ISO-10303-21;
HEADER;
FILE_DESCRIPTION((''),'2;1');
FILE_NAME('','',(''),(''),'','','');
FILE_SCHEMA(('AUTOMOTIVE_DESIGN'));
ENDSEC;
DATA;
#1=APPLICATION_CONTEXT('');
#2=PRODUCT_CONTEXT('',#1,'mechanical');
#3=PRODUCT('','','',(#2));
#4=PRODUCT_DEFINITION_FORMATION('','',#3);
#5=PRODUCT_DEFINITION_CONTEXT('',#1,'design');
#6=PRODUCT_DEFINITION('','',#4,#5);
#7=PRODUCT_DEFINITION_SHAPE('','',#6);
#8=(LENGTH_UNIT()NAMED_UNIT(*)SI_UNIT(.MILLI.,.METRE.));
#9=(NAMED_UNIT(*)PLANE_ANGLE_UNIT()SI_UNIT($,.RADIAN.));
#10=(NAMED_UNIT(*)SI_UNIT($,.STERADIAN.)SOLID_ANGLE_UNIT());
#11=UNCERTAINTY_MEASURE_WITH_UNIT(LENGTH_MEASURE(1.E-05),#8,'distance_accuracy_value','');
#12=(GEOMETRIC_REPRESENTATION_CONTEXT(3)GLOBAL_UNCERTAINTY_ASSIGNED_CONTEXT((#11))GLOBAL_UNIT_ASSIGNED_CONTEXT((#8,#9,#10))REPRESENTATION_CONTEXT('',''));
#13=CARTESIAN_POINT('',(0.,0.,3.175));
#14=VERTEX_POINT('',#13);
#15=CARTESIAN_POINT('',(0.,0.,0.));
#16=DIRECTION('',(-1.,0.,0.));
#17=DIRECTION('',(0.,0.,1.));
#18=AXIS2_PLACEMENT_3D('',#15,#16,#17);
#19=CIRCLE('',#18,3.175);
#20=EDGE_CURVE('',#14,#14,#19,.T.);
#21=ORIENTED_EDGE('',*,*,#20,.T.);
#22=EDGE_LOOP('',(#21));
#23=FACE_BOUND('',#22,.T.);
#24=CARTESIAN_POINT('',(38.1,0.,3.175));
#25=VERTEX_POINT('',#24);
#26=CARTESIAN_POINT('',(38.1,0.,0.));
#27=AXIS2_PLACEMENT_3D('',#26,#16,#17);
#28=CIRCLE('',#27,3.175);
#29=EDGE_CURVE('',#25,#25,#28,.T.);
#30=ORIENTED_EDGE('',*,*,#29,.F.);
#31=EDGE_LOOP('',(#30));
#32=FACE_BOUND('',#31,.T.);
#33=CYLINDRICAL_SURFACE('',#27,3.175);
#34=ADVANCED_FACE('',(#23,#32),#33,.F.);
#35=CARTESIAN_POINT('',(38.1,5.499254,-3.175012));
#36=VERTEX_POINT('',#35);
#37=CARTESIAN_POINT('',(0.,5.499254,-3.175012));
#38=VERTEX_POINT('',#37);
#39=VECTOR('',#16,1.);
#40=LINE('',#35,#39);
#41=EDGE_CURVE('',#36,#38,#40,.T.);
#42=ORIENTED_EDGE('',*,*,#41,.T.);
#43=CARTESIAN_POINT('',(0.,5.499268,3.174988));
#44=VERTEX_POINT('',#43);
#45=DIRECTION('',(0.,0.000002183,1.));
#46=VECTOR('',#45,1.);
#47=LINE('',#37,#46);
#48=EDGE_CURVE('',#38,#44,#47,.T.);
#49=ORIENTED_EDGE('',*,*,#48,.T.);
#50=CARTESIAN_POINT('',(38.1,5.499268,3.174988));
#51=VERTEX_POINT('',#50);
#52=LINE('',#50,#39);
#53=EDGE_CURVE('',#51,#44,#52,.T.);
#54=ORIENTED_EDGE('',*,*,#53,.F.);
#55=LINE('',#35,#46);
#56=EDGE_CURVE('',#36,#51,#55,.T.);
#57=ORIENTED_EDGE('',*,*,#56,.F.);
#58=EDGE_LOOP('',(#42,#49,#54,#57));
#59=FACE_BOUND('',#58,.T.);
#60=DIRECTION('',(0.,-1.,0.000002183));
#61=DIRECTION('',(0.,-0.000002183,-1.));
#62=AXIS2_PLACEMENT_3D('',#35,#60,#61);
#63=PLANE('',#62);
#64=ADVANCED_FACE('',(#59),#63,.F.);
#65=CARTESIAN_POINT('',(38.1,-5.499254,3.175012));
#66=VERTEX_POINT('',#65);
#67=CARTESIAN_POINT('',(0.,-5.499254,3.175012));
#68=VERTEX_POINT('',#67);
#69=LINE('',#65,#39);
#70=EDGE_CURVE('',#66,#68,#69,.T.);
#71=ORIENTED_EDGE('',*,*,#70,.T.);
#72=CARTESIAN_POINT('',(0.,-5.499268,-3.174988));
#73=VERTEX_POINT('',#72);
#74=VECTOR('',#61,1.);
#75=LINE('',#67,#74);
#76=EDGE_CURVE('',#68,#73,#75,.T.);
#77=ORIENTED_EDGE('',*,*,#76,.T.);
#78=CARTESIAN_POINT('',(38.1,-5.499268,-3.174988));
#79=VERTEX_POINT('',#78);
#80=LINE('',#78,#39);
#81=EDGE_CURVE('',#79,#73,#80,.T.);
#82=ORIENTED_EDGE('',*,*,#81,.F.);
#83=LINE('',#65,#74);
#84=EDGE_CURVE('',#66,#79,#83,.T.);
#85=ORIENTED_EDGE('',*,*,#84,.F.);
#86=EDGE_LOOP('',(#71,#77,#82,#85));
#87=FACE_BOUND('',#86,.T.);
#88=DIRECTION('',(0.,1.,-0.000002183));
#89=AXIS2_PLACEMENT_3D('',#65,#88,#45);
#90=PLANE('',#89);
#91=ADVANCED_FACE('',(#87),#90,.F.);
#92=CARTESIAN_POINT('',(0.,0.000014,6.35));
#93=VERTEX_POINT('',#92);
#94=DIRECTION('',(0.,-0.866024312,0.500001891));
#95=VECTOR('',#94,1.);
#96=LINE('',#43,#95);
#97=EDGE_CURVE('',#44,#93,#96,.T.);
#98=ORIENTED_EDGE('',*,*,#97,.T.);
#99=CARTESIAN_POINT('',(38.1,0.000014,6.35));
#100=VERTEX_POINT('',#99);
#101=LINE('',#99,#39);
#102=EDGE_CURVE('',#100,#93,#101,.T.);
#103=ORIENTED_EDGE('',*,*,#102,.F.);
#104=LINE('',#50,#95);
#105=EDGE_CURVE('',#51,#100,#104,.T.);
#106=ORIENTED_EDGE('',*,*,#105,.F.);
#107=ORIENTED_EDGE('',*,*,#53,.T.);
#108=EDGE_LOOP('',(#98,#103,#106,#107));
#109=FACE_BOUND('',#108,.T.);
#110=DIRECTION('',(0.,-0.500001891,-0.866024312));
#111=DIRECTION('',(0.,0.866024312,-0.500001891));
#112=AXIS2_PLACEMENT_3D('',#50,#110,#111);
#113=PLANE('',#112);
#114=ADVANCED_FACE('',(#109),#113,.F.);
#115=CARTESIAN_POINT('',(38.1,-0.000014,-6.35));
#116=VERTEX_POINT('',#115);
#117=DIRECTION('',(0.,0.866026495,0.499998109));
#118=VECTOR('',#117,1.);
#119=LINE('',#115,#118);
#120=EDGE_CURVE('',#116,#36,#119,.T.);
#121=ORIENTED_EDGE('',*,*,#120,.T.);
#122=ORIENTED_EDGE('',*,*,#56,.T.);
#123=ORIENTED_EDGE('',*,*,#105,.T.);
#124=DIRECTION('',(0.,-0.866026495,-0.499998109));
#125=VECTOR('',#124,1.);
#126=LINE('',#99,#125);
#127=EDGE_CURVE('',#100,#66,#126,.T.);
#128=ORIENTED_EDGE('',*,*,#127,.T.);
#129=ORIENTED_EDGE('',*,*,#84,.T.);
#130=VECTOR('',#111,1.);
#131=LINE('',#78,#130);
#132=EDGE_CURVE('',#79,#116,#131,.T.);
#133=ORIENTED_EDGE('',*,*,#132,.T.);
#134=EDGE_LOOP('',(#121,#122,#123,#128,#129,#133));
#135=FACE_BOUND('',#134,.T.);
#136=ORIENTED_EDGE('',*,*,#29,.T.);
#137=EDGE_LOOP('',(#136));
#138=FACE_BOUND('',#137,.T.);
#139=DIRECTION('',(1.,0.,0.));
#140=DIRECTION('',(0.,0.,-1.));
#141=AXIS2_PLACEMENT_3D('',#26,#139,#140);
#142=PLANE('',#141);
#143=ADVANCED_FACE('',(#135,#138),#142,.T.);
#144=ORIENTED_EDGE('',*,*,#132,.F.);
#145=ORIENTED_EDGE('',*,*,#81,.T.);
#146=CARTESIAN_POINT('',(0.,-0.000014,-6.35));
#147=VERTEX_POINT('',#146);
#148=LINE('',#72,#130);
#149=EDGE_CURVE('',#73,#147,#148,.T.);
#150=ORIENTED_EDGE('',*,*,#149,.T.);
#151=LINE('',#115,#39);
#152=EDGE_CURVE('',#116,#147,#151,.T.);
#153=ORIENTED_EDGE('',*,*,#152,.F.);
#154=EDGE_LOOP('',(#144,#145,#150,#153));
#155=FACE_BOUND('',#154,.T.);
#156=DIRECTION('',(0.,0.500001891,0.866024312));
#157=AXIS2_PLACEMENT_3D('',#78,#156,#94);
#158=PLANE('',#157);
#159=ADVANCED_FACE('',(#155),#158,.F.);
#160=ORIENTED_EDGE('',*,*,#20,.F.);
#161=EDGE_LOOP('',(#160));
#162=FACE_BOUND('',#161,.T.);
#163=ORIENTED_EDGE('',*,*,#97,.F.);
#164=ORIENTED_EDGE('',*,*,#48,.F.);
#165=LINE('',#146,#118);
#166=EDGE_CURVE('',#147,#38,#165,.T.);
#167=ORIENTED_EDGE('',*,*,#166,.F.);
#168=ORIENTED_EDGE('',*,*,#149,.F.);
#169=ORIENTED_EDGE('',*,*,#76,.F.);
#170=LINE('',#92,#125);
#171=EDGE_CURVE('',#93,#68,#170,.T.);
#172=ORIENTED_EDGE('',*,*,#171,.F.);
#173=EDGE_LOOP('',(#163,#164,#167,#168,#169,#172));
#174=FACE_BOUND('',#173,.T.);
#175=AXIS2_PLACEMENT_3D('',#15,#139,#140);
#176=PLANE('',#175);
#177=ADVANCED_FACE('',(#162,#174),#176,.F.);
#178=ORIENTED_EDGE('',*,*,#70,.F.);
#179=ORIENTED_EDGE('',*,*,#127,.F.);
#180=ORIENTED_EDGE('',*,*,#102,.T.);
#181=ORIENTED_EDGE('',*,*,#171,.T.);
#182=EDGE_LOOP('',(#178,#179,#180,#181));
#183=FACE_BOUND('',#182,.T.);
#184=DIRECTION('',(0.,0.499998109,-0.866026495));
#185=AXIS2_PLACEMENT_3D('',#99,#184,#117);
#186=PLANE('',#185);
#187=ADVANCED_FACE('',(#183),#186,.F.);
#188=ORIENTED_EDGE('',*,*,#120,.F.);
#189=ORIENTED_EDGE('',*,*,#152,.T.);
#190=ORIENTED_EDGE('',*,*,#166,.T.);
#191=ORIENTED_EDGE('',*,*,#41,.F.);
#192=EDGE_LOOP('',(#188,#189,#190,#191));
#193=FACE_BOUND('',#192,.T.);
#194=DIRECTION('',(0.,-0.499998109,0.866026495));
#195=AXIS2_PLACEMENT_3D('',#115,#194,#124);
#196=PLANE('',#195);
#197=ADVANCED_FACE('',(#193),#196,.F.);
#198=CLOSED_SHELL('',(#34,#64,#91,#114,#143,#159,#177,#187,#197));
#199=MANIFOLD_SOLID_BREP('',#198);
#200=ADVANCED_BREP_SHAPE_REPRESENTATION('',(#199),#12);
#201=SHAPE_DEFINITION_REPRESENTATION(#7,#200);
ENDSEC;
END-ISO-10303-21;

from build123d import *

# Parameters (mm, degrees)
BOSS_EXTRUDE1_DEPTH = 38.1
SKETCH2_R           = 3.175
CUT_EXTRUDE1_DEPTH  = 39.1


with BuildPart() as part:
    # Sketch1 → Boss-Extrude1 (new body)
    with BuildSketch(Plane(origin=(0, 0, 0), x_dir=(0, 0, -1), z_dir=(1, 0, 0))):
        Polygon((6.35, -1.3864e-05), (3.175012007, 5.499254382), (-3.174987993, 5.499268246), (-6.35, 1.3864e-05), (-3.175012007, -5.499254382), (3.174987993, -5.499268246), align=None)
    extrude(amount=BOSS_EXTRUDE1_DEPTH)

    # Sketch2 → Cut-Extrude1 (cut, through all)
    with BuildSketch(Plane.ZY):
        Circle(SKETCH2_R)
    extrude(amount=-CUT_EXTRUDE1_DEPTH, mode=Mode.SUBTRACT)


solid = part.part
